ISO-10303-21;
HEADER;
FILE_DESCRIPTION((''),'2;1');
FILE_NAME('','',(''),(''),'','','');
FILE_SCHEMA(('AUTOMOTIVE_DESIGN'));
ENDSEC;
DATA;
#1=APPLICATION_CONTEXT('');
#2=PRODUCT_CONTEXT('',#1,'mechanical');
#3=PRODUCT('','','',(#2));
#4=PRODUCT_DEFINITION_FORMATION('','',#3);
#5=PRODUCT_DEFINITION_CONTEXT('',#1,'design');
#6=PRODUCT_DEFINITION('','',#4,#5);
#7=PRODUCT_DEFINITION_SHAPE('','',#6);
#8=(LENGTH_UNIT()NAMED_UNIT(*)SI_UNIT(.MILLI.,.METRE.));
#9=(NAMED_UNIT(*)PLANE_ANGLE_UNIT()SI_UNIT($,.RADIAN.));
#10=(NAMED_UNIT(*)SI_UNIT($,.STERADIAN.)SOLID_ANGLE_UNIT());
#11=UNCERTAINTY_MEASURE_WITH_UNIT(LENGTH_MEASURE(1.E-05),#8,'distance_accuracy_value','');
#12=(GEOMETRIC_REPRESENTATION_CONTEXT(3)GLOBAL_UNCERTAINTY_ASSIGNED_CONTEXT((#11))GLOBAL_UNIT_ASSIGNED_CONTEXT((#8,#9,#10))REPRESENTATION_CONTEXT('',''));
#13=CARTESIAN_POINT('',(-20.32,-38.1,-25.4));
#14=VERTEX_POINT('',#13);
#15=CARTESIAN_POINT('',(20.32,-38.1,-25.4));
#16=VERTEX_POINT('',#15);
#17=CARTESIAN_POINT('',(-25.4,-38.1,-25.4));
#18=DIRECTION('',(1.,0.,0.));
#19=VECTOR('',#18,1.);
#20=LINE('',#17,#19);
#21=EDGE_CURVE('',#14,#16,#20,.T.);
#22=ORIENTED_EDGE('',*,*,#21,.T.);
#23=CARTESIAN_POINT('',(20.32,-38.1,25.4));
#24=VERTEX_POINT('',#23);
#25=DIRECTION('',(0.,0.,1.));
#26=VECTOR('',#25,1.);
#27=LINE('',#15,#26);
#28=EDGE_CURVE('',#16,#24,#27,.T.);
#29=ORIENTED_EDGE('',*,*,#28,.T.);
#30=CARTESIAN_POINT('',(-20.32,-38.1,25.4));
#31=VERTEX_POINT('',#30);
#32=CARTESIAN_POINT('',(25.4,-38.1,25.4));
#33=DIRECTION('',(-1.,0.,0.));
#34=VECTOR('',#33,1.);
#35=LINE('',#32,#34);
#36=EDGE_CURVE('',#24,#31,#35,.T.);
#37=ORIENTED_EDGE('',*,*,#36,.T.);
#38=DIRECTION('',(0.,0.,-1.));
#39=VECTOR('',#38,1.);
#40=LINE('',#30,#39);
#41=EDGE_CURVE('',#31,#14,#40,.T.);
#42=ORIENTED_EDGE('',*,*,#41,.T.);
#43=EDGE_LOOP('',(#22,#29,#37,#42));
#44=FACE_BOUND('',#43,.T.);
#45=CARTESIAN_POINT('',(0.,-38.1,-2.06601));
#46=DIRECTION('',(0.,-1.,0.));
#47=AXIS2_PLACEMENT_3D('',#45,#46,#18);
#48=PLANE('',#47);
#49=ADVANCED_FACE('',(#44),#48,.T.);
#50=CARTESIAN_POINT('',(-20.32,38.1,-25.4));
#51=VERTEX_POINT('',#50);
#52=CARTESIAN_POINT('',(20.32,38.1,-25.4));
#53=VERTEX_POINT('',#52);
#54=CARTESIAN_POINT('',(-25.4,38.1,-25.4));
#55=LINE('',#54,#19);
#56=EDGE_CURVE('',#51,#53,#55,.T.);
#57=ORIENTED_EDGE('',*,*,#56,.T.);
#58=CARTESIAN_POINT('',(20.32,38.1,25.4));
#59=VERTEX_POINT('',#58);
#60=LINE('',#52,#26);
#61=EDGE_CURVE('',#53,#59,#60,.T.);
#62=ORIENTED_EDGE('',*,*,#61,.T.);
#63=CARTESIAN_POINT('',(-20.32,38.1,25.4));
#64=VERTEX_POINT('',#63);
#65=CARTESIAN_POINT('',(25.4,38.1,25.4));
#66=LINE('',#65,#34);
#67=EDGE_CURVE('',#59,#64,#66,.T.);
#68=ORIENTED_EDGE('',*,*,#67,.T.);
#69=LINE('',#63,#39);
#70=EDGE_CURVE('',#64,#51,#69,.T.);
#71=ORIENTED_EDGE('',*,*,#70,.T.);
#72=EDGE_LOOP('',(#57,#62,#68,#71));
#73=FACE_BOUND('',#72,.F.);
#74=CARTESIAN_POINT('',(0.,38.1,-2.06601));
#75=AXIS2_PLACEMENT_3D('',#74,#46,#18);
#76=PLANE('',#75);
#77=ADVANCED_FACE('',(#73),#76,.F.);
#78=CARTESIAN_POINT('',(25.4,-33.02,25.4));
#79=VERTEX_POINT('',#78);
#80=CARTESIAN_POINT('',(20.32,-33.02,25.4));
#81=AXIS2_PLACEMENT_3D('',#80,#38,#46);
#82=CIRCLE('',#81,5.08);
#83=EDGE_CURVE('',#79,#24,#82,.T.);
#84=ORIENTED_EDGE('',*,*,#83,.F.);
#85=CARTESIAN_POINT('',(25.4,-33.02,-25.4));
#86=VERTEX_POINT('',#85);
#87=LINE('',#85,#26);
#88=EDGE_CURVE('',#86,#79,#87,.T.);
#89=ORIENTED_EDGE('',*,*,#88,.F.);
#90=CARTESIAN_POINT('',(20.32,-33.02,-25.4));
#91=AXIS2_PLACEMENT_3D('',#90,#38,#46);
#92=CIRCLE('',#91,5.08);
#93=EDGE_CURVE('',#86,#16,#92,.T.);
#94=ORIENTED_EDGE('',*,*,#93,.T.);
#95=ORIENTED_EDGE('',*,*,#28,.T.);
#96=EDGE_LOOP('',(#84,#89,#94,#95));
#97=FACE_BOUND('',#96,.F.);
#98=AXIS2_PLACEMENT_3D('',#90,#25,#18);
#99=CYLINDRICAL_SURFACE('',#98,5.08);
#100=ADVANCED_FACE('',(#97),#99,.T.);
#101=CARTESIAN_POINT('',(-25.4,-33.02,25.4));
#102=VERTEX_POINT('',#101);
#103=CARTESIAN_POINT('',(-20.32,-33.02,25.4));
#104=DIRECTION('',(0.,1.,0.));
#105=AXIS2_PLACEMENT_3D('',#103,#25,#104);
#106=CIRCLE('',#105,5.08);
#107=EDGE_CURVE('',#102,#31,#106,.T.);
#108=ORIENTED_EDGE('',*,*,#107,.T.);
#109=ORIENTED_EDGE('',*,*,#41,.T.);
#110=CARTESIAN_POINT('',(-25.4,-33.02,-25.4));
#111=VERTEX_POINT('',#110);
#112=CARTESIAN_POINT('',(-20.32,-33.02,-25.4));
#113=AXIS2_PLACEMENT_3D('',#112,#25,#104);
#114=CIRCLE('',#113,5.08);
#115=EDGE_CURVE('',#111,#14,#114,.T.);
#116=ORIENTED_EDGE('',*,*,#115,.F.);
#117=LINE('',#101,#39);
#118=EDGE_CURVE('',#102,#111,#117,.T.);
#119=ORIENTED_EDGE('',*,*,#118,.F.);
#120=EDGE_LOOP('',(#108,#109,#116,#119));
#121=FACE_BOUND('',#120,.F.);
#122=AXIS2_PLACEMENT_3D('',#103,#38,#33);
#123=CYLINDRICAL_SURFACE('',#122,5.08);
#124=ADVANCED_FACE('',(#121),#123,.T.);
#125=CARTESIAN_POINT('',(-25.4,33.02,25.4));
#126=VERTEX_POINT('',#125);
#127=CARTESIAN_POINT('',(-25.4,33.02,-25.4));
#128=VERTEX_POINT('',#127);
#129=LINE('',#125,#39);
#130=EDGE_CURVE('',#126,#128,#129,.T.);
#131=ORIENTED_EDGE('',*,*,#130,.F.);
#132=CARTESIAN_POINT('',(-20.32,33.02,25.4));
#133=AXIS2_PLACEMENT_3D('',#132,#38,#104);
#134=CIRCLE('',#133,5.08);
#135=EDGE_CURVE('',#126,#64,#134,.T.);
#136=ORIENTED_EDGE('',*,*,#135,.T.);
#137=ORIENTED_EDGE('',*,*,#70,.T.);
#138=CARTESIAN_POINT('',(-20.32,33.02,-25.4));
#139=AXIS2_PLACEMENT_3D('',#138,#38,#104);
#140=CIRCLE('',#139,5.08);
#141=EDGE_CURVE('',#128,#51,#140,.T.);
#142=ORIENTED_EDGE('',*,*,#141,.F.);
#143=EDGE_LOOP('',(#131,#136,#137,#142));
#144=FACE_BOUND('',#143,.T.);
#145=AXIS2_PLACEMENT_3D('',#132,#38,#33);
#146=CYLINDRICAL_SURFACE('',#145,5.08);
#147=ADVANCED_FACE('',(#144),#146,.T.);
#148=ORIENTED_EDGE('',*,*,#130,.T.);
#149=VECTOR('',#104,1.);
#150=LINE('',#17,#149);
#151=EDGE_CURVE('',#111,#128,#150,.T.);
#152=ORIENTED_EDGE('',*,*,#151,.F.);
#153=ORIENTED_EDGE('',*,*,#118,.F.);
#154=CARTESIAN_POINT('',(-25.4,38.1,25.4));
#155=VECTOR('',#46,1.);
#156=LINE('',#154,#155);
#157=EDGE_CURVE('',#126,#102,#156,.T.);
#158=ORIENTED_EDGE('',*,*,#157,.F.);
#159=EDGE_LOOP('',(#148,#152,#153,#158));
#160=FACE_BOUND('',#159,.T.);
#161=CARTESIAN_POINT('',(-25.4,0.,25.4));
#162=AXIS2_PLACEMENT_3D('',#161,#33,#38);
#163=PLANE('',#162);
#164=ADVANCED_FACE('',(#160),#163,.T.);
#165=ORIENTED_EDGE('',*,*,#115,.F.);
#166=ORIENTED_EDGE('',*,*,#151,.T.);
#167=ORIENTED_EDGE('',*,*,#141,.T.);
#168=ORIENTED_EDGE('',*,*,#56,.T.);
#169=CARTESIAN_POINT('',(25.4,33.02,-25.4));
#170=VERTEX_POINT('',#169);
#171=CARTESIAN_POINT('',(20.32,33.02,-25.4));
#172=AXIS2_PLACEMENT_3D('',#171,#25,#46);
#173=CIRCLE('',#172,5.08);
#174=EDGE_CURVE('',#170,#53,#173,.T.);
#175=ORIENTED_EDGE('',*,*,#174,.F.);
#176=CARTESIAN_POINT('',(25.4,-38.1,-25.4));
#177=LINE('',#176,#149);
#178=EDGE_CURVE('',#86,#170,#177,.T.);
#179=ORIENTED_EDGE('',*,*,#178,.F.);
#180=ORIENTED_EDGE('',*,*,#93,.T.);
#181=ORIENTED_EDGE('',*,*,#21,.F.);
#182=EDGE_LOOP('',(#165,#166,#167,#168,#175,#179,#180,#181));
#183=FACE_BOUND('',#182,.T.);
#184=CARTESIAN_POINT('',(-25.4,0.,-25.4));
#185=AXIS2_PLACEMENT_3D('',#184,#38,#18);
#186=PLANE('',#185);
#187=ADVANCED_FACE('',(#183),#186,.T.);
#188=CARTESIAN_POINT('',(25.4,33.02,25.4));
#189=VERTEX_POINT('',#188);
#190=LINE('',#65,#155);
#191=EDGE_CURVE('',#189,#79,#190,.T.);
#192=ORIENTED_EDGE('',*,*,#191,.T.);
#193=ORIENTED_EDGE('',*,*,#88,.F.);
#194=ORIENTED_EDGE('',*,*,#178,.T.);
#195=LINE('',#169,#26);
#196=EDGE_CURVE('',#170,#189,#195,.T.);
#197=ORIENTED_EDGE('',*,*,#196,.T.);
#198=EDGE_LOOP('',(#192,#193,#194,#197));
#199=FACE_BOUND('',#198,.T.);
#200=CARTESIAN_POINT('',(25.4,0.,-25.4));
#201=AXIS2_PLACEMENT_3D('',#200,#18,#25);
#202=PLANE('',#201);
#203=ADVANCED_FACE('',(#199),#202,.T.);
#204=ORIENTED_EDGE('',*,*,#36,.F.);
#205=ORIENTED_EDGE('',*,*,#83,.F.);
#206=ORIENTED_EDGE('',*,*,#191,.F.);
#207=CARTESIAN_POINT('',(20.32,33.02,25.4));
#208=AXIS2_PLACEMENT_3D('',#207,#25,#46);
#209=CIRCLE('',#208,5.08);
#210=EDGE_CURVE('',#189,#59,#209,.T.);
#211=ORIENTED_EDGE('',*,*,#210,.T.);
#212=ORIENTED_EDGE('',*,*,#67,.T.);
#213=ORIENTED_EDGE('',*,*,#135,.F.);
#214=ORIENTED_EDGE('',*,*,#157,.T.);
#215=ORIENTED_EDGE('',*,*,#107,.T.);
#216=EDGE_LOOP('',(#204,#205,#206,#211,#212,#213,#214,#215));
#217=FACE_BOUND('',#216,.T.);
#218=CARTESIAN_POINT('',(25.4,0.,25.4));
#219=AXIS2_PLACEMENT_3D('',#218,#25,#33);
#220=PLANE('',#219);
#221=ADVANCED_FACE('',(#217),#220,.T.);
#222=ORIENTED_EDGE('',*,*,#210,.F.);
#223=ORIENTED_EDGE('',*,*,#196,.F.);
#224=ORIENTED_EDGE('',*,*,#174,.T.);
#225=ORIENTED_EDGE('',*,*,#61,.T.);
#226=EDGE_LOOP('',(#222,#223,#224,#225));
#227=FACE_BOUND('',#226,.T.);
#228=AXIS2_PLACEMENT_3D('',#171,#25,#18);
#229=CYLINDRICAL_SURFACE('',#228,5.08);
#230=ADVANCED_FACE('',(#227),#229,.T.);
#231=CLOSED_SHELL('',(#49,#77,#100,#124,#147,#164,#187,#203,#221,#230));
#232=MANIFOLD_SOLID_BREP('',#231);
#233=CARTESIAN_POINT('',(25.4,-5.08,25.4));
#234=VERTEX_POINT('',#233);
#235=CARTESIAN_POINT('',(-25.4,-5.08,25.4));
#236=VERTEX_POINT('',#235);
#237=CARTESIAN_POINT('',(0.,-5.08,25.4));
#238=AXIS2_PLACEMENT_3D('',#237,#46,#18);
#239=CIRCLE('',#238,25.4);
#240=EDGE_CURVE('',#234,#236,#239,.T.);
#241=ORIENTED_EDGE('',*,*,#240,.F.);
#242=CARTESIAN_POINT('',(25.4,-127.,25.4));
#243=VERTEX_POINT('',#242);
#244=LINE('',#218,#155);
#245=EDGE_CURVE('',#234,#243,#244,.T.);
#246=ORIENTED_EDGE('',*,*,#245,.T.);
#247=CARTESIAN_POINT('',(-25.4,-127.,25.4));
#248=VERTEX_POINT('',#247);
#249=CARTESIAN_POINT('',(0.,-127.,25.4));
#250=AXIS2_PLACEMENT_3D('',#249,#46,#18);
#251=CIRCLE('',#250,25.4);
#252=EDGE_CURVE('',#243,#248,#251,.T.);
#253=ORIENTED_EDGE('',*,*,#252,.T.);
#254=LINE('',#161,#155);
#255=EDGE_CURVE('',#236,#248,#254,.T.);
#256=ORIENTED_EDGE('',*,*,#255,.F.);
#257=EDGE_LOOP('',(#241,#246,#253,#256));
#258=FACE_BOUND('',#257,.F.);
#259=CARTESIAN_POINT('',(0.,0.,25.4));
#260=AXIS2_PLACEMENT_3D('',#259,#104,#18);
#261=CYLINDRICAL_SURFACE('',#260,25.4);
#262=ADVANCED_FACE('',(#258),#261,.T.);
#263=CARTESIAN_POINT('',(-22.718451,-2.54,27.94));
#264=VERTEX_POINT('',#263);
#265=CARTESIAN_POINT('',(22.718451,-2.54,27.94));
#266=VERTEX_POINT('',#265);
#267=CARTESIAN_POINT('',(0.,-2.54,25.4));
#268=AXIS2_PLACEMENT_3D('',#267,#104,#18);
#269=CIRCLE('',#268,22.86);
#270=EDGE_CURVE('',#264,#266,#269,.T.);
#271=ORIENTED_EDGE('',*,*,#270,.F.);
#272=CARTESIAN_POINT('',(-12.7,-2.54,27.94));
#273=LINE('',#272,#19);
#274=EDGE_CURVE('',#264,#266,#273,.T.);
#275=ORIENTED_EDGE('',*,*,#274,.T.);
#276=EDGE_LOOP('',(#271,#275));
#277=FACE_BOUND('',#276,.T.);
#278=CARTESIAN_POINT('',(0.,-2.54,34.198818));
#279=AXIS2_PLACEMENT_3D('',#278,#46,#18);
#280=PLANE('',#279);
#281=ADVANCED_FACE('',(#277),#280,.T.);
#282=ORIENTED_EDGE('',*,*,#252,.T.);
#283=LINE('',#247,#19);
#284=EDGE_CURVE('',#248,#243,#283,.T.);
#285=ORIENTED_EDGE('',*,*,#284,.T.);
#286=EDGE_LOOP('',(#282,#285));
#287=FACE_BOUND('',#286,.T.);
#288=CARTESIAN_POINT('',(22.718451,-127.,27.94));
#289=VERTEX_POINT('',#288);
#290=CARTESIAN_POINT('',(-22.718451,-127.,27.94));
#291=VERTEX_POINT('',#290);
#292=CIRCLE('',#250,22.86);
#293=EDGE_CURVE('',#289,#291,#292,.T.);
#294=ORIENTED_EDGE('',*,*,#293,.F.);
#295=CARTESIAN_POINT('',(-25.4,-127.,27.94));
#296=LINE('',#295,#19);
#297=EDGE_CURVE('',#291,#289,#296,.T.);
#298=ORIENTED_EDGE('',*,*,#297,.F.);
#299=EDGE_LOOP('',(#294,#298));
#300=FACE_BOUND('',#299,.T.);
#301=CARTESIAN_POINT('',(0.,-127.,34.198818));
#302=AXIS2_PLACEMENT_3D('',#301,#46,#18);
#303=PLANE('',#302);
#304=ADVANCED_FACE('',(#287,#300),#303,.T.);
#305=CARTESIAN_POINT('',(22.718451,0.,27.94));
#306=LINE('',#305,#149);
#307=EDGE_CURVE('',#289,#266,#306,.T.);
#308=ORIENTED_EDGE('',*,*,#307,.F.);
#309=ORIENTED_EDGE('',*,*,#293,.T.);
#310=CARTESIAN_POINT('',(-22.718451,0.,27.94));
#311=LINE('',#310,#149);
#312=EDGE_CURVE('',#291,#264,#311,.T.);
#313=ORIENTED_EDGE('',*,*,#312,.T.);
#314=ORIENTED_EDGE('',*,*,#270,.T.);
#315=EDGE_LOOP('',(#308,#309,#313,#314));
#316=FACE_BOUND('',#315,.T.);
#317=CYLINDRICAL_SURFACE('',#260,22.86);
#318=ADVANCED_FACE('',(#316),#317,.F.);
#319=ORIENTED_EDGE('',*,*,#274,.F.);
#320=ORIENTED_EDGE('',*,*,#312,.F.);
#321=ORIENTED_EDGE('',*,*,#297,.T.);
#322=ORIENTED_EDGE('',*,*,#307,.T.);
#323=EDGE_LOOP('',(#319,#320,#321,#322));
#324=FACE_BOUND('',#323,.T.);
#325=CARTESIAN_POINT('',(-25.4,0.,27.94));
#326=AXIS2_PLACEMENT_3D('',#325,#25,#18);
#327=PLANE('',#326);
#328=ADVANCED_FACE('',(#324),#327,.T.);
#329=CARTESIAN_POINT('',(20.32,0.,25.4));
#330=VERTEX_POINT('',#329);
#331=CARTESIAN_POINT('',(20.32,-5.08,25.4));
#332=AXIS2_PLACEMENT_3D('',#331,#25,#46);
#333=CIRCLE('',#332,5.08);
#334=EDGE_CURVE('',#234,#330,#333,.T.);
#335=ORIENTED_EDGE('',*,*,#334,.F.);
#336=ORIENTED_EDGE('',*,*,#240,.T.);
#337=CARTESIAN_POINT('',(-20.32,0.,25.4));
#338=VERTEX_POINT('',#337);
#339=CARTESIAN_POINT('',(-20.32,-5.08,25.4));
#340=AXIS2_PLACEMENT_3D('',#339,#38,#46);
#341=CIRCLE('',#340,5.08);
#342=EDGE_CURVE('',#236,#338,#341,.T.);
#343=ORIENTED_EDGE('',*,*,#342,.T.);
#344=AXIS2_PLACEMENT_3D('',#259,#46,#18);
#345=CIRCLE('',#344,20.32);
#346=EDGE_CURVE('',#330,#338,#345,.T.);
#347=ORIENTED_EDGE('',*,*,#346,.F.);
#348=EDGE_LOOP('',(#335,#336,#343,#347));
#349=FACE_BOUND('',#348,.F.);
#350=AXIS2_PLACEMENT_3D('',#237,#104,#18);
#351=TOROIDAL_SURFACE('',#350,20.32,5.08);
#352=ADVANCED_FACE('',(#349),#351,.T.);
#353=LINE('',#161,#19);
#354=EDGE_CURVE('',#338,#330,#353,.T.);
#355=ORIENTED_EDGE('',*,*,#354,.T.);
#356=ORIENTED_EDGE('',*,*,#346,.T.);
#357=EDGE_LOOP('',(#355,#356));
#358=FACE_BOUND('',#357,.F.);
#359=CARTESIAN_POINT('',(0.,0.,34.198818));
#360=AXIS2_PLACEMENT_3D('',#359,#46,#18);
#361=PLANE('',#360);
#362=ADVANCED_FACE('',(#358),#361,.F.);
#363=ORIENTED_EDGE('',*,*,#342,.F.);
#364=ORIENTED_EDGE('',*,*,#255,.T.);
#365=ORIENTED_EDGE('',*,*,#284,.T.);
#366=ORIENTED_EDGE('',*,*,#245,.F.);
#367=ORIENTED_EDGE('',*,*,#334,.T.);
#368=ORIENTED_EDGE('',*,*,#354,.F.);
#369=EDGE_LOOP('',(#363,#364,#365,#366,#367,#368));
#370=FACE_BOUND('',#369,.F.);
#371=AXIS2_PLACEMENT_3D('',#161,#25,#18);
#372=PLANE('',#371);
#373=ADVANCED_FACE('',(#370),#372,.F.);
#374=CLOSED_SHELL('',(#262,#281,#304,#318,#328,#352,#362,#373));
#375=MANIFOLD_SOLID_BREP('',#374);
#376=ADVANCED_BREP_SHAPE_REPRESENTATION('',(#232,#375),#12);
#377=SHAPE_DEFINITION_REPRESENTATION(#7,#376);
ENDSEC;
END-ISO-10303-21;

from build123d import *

# Parameters (mm, degrees)
F1_DEPTH = 38.1
F2_DEPTH = 127
F3_T     = -2.54
F4_R     = 5.08
F4_2_R   = 5.08


with BuildPart() as f1:
    # F0 (on Front) → F1 (new body, symmetric)
    with BuildSketch(Plane.XZ):
        with BuildLine():
            Line((25.4, -25.4), (25.4, 25.4))
            ThreePointArc((25.4, 25.4), (0, 0), (-25.4, 25.4))
            Line((-25.4, 25.4), (-25.4, -25.4))
            Line((-25.4, -25.4), (25.4, -25.4))
        make_face()
        with BuildLine():
            ThreePointArc((-25.4, 25.4), (0, 0), (25.4, 25.4))
            Line((25.4, 25.4), (-25.4, 25.4))
        make_face()
    extrude(amount=F1_DEPTH, both=True)

    # F4
    f4_edges = [f1.edges().sort_by_distance(p)[0] for p in [
        (-25.4, -38.1, 0),
        (25.4, -38.1, 0),
        (25.4, 38.1, 0),
        (-25.4, 38.1, 0),
    ]]
    fillet(f4_edges, radius=F4_R)


with BuildPart() as f2:
    # F0 (on Front) → F2 (new body)
    with BuildSketch(Plane.XZ):
        with BuildLine():
            Line((-25.4, 25.4), (25.4, 25.4))
            ThreePointArc((25.4, 25.4), (0, 50.8), (-25.4, 25.4))
        make_face()
    extrude(amount=F2_DEPTH)

    # F3
    f3_openings = [f2.faces().sort_by_distance(p)[0] for p in [
        (0, -127, 36.180095),
    ]]
    offset(amount=F3_T, openings=f3_openings)

    # F4#2
    f4_2_edges = [f2.edges().sort_by_distance(p)[0] for p in [
        (0, 0, 50.8),
    ]]
    fillet(f4_2_edges, radius=F4_2_R)


solid = Compound([f1.part, f2.part])
